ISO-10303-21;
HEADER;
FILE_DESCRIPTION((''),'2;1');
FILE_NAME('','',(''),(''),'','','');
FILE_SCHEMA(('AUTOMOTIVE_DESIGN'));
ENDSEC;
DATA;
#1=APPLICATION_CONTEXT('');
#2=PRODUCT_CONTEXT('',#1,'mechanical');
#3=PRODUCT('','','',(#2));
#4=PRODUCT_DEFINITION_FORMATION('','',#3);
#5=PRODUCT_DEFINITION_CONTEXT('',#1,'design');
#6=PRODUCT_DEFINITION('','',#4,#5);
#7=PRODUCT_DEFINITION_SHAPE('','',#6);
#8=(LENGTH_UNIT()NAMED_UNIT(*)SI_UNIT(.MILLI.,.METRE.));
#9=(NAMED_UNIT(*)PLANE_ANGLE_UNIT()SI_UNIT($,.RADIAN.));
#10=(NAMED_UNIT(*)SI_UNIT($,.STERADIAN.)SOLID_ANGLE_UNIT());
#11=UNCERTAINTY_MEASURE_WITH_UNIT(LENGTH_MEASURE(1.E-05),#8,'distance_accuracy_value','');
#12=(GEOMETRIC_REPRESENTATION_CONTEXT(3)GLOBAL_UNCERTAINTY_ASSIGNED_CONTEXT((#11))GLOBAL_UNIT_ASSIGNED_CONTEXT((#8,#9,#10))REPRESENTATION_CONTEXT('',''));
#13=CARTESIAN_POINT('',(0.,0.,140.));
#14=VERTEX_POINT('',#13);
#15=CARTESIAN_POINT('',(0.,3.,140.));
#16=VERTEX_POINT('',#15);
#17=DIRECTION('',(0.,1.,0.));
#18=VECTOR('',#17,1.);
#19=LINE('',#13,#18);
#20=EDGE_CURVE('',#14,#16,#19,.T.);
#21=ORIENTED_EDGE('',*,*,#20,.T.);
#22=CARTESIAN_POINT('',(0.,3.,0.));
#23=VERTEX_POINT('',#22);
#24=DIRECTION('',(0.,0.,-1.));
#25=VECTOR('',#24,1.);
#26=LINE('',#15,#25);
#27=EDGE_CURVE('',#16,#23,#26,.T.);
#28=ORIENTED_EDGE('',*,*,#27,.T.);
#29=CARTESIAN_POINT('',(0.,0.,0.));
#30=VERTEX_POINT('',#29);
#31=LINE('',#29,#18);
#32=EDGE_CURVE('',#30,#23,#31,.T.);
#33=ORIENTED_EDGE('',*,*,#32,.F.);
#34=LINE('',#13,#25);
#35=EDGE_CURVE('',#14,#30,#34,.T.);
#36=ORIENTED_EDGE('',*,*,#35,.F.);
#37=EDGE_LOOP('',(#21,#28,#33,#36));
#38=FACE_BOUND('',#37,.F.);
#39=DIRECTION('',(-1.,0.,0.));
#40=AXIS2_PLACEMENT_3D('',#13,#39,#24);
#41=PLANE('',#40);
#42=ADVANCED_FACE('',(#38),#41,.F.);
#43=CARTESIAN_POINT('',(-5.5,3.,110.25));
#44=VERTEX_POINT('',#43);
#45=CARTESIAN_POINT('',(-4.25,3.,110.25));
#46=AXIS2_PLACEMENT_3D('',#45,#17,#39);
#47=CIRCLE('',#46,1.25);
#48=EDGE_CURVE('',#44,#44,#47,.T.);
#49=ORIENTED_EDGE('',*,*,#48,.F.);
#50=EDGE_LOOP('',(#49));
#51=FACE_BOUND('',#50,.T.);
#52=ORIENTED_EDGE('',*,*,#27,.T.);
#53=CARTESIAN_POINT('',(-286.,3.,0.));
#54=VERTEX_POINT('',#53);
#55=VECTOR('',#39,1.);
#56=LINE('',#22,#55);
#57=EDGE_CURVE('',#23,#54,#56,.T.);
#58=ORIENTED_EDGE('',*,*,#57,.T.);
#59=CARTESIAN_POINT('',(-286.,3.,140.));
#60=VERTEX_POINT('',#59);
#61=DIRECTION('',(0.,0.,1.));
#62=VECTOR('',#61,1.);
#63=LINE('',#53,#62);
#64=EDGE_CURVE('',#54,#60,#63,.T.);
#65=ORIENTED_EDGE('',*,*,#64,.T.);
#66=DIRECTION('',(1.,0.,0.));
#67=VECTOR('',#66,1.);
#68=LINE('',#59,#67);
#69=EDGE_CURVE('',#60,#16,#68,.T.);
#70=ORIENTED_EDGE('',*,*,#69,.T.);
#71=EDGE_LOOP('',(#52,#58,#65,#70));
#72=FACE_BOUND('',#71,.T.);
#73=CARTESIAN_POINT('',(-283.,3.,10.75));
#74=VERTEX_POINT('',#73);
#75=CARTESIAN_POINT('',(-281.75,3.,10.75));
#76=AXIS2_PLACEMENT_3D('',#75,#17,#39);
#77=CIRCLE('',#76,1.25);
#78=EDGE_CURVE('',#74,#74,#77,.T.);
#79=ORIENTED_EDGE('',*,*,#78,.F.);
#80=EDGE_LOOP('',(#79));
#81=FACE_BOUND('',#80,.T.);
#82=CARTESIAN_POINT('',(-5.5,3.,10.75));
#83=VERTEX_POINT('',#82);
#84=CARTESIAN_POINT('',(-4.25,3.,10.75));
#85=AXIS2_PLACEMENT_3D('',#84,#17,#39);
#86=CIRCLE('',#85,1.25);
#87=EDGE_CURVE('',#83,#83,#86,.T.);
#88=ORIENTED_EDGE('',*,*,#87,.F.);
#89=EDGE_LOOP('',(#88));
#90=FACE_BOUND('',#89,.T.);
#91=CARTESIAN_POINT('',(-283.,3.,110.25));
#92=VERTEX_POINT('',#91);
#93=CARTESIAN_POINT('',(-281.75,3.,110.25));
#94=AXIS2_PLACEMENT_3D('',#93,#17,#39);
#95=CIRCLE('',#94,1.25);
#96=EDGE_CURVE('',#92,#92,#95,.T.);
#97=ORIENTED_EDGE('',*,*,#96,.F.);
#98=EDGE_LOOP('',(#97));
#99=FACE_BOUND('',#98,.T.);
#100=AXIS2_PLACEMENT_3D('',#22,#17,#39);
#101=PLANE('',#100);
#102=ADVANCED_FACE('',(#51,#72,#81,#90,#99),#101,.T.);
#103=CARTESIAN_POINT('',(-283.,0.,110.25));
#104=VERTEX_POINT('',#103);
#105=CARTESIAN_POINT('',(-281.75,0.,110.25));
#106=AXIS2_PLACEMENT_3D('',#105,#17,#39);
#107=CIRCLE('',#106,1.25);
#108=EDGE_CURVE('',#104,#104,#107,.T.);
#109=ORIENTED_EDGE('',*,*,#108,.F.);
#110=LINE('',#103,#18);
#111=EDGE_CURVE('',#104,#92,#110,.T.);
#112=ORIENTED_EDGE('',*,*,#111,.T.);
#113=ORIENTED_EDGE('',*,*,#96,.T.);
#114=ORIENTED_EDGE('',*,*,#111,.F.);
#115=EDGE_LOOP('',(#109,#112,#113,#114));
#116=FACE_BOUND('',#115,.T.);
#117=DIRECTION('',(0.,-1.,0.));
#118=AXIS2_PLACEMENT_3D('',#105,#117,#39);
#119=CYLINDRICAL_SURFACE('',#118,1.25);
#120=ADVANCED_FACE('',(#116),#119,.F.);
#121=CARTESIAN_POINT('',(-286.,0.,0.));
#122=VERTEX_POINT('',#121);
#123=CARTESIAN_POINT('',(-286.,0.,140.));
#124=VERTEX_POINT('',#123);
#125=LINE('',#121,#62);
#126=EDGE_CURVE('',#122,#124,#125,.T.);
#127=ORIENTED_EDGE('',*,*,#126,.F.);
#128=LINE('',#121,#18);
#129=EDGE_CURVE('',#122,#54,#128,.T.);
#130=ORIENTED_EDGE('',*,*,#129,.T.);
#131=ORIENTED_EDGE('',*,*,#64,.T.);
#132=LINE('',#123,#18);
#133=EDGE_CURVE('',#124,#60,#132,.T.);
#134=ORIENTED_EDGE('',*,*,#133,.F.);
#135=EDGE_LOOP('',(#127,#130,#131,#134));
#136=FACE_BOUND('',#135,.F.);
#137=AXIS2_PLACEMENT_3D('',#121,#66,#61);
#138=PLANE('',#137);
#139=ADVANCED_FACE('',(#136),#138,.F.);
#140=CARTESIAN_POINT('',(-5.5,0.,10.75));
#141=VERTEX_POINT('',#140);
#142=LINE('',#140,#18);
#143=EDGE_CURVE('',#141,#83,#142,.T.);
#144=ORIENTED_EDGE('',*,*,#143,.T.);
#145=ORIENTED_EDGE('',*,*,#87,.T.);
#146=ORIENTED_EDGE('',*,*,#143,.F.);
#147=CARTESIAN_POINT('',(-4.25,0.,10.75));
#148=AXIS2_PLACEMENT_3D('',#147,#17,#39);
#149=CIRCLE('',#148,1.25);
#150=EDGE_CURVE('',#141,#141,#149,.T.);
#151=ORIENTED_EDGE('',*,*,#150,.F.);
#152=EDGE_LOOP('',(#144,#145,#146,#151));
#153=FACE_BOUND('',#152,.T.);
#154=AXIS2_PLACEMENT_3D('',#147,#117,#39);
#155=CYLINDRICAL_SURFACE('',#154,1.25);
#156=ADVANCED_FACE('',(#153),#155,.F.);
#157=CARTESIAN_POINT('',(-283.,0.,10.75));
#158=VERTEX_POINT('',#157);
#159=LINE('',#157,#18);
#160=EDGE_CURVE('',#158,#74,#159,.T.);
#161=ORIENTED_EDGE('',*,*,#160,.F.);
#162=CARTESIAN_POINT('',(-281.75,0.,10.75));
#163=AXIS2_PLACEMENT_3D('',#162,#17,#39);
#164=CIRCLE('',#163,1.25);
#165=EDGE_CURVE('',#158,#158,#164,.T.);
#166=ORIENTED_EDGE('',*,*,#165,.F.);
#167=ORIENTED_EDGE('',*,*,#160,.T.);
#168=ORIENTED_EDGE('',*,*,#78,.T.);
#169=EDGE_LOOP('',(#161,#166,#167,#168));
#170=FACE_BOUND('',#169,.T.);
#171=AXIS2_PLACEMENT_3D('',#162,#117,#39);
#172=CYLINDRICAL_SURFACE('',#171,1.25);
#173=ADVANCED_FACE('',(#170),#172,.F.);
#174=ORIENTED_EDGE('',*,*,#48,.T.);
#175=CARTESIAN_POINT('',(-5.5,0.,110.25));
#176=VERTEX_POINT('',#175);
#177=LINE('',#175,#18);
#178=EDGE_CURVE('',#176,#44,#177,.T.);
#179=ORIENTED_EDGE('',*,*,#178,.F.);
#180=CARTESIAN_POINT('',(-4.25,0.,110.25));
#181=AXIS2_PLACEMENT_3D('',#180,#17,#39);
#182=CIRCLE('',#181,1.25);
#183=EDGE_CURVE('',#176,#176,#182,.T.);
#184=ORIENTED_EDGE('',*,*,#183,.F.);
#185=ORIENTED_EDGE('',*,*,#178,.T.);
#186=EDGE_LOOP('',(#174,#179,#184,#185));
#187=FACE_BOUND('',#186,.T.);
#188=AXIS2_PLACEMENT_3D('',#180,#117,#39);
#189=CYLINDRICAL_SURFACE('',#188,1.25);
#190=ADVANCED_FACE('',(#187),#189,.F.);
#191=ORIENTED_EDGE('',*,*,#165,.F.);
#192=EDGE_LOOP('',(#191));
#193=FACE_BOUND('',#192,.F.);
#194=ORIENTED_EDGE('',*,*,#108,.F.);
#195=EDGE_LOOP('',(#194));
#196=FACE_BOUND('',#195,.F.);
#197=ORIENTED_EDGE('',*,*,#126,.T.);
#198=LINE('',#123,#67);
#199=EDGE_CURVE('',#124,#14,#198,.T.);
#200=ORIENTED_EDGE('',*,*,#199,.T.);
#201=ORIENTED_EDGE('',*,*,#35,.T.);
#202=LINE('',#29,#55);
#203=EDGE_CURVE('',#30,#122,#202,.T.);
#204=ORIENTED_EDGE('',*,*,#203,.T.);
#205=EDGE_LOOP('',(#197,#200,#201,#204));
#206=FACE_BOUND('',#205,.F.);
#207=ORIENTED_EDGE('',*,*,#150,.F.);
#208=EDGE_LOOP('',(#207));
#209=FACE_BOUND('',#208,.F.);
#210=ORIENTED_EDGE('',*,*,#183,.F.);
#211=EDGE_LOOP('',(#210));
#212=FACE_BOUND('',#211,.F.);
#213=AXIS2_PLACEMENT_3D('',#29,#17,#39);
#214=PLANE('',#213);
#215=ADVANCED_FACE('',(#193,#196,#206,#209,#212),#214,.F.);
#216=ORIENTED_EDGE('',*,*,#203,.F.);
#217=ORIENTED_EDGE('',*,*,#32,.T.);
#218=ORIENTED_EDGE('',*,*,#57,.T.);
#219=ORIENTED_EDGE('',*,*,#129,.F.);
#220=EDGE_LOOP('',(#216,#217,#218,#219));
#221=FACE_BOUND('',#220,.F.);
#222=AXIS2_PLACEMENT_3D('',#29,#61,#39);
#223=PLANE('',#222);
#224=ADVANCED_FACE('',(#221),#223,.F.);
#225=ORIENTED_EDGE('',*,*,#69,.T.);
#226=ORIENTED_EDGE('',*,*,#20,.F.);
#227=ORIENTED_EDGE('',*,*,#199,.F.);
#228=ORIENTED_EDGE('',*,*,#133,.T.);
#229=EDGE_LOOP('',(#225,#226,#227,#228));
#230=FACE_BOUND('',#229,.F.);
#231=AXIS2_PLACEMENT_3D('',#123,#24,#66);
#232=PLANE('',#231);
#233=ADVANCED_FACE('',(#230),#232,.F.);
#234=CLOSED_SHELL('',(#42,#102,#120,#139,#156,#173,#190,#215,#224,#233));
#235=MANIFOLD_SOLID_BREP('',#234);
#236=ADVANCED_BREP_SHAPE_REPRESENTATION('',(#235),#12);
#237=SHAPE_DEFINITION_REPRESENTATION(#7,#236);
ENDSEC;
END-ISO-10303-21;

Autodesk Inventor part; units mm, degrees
ref_plane "YZ Plane" through (0, 0, 0) normal (1, 0, 0) x (0, 1, 0)
ref_plane "XZ Plane" through (0, 0, 0) normal (0, 1, 0) x (-1, 0, 0)
ref_plane "XY Plane" through (0, 0, 0) normal (0, 0, 1) x (1, 0, 0)
sketch "Sketch1" plane through (0, 0, 0) normal (0, 1, 0) x (-1, 0, 0)
  line L0 (0, 0) -> (286, 0)
  line L1 (286, 0) -> (286, 140)
  line L2 (286, 140) -> (0, 140)
  line L3 (0, 140) -> (0, 0)
  circle A0 centre (4.25, 10.75) radius 1.25
  circle A1 centre (4.25, 110.25) radius 1.25
  line L4 (143, 140) -> (143, 0) construction
  circle A2 centre (281.75, 10.75) radius 1.25
  circle A3 centre (281.75, 110.25) radius 1.25
  dimension "d0" = 286
  dimension "d1" = 140
  dimension "d4" = 2.5
  dimension "d5" = 4.25
  dimension "d6" = 10.75
  dimension "d7" = 2.5
  dimension "d8" = 4.25
  dimension "d9" = 99.5
extrude "Extrusion1" add sketch "Sketch1" along normal blind 3
equation "\"d7\" = d4"
equation "\"d8\" = d5"
properties part number "wall-front-outer"
